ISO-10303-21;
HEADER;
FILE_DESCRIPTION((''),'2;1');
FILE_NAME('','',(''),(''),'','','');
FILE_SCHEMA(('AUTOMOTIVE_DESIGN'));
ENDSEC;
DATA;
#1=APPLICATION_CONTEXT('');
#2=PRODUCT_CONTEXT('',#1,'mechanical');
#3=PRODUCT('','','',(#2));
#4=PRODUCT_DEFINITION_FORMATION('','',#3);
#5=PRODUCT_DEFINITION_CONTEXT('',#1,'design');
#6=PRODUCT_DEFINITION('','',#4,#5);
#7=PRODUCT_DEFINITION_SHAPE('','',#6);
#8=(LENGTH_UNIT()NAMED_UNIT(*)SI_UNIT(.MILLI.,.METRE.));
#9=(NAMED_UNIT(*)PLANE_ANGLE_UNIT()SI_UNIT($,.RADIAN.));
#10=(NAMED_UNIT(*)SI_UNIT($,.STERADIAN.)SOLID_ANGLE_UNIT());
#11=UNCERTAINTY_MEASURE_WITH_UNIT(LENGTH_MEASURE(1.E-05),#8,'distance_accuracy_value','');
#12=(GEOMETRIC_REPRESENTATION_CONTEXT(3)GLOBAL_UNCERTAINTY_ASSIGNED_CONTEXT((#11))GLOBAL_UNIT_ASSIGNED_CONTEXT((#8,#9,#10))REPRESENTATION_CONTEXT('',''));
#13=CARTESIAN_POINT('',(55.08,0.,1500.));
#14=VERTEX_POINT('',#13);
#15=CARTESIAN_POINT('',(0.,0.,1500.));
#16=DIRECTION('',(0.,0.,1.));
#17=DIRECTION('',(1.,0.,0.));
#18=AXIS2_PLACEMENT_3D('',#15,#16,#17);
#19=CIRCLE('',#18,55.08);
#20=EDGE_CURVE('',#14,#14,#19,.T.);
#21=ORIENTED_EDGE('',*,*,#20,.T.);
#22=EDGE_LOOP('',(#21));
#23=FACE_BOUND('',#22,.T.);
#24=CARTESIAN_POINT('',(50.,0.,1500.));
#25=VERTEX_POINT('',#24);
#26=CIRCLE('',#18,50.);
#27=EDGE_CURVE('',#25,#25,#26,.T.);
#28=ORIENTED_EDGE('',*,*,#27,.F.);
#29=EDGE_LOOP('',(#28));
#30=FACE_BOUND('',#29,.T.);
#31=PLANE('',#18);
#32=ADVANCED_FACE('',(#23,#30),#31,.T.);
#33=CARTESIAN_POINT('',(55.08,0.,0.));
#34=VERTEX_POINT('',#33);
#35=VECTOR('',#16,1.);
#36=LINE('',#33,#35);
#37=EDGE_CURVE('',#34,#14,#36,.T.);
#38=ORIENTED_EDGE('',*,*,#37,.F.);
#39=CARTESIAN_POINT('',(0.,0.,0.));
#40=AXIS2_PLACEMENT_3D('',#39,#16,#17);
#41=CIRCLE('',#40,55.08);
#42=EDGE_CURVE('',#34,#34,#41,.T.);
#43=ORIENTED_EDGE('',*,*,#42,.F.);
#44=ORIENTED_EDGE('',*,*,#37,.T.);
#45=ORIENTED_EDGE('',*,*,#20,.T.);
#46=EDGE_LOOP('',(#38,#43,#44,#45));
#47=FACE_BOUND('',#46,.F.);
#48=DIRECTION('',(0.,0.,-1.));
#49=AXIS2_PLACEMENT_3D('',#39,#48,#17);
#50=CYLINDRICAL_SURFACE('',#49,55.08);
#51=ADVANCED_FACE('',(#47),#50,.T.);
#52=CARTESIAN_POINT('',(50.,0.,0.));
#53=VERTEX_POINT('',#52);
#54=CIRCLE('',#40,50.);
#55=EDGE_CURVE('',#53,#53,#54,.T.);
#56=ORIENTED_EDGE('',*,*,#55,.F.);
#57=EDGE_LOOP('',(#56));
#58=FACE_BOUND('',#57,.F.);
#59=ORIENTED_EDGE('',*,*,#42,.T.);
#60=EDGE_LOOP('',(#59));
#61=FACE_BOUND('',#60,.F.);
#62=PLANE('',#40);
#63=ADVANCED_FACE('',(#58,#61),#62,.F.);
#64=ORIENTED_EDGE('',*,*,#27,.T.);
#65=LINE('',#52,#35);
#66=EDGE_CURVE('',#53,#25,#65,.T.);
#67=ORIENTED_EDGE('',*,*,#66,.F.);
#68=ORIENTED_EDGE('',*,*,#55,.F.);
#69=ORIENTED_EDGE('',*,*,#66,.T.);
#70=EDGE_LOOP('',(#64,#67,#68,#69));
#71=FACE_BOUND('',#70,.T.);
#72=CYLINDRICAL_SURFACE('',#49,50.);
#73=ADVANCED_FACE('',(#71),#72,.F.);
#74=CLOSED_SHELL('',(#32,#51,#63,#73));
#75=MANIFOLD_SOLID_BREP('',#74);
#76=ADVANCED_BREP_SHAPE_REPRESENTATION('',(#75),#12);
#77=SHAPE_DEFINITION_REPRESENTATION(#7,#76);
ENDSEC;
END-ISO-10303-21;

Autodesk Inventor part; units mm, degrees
ref_plane "YZ Plane" through (0, 0, 0) normal (1, 0, 0) x (0, 1, 0)
ref_plane "XZ Plane" through (0, 0, 0) normal (0, 1, 0) x (-1, 0, 0)
ref_plane "XY Plane" through (0, 0, 0) normal (0, 0, 1) x (1, 0, 0)
sketch "Sketch1" plane through (0, 0, 0) normal (0, 0, 1) x (1, 0, 0)
  circle A0 centre (0, 0) radius 50
  circle A1 centre (0, 0) radius 55.08
  dimension "d0" = 100
  dimension "d1" = 5.08
extrude "Extrusion1" add sketch "Sketch1" along normal blind 1500
properties part number "pipe1.5m"
